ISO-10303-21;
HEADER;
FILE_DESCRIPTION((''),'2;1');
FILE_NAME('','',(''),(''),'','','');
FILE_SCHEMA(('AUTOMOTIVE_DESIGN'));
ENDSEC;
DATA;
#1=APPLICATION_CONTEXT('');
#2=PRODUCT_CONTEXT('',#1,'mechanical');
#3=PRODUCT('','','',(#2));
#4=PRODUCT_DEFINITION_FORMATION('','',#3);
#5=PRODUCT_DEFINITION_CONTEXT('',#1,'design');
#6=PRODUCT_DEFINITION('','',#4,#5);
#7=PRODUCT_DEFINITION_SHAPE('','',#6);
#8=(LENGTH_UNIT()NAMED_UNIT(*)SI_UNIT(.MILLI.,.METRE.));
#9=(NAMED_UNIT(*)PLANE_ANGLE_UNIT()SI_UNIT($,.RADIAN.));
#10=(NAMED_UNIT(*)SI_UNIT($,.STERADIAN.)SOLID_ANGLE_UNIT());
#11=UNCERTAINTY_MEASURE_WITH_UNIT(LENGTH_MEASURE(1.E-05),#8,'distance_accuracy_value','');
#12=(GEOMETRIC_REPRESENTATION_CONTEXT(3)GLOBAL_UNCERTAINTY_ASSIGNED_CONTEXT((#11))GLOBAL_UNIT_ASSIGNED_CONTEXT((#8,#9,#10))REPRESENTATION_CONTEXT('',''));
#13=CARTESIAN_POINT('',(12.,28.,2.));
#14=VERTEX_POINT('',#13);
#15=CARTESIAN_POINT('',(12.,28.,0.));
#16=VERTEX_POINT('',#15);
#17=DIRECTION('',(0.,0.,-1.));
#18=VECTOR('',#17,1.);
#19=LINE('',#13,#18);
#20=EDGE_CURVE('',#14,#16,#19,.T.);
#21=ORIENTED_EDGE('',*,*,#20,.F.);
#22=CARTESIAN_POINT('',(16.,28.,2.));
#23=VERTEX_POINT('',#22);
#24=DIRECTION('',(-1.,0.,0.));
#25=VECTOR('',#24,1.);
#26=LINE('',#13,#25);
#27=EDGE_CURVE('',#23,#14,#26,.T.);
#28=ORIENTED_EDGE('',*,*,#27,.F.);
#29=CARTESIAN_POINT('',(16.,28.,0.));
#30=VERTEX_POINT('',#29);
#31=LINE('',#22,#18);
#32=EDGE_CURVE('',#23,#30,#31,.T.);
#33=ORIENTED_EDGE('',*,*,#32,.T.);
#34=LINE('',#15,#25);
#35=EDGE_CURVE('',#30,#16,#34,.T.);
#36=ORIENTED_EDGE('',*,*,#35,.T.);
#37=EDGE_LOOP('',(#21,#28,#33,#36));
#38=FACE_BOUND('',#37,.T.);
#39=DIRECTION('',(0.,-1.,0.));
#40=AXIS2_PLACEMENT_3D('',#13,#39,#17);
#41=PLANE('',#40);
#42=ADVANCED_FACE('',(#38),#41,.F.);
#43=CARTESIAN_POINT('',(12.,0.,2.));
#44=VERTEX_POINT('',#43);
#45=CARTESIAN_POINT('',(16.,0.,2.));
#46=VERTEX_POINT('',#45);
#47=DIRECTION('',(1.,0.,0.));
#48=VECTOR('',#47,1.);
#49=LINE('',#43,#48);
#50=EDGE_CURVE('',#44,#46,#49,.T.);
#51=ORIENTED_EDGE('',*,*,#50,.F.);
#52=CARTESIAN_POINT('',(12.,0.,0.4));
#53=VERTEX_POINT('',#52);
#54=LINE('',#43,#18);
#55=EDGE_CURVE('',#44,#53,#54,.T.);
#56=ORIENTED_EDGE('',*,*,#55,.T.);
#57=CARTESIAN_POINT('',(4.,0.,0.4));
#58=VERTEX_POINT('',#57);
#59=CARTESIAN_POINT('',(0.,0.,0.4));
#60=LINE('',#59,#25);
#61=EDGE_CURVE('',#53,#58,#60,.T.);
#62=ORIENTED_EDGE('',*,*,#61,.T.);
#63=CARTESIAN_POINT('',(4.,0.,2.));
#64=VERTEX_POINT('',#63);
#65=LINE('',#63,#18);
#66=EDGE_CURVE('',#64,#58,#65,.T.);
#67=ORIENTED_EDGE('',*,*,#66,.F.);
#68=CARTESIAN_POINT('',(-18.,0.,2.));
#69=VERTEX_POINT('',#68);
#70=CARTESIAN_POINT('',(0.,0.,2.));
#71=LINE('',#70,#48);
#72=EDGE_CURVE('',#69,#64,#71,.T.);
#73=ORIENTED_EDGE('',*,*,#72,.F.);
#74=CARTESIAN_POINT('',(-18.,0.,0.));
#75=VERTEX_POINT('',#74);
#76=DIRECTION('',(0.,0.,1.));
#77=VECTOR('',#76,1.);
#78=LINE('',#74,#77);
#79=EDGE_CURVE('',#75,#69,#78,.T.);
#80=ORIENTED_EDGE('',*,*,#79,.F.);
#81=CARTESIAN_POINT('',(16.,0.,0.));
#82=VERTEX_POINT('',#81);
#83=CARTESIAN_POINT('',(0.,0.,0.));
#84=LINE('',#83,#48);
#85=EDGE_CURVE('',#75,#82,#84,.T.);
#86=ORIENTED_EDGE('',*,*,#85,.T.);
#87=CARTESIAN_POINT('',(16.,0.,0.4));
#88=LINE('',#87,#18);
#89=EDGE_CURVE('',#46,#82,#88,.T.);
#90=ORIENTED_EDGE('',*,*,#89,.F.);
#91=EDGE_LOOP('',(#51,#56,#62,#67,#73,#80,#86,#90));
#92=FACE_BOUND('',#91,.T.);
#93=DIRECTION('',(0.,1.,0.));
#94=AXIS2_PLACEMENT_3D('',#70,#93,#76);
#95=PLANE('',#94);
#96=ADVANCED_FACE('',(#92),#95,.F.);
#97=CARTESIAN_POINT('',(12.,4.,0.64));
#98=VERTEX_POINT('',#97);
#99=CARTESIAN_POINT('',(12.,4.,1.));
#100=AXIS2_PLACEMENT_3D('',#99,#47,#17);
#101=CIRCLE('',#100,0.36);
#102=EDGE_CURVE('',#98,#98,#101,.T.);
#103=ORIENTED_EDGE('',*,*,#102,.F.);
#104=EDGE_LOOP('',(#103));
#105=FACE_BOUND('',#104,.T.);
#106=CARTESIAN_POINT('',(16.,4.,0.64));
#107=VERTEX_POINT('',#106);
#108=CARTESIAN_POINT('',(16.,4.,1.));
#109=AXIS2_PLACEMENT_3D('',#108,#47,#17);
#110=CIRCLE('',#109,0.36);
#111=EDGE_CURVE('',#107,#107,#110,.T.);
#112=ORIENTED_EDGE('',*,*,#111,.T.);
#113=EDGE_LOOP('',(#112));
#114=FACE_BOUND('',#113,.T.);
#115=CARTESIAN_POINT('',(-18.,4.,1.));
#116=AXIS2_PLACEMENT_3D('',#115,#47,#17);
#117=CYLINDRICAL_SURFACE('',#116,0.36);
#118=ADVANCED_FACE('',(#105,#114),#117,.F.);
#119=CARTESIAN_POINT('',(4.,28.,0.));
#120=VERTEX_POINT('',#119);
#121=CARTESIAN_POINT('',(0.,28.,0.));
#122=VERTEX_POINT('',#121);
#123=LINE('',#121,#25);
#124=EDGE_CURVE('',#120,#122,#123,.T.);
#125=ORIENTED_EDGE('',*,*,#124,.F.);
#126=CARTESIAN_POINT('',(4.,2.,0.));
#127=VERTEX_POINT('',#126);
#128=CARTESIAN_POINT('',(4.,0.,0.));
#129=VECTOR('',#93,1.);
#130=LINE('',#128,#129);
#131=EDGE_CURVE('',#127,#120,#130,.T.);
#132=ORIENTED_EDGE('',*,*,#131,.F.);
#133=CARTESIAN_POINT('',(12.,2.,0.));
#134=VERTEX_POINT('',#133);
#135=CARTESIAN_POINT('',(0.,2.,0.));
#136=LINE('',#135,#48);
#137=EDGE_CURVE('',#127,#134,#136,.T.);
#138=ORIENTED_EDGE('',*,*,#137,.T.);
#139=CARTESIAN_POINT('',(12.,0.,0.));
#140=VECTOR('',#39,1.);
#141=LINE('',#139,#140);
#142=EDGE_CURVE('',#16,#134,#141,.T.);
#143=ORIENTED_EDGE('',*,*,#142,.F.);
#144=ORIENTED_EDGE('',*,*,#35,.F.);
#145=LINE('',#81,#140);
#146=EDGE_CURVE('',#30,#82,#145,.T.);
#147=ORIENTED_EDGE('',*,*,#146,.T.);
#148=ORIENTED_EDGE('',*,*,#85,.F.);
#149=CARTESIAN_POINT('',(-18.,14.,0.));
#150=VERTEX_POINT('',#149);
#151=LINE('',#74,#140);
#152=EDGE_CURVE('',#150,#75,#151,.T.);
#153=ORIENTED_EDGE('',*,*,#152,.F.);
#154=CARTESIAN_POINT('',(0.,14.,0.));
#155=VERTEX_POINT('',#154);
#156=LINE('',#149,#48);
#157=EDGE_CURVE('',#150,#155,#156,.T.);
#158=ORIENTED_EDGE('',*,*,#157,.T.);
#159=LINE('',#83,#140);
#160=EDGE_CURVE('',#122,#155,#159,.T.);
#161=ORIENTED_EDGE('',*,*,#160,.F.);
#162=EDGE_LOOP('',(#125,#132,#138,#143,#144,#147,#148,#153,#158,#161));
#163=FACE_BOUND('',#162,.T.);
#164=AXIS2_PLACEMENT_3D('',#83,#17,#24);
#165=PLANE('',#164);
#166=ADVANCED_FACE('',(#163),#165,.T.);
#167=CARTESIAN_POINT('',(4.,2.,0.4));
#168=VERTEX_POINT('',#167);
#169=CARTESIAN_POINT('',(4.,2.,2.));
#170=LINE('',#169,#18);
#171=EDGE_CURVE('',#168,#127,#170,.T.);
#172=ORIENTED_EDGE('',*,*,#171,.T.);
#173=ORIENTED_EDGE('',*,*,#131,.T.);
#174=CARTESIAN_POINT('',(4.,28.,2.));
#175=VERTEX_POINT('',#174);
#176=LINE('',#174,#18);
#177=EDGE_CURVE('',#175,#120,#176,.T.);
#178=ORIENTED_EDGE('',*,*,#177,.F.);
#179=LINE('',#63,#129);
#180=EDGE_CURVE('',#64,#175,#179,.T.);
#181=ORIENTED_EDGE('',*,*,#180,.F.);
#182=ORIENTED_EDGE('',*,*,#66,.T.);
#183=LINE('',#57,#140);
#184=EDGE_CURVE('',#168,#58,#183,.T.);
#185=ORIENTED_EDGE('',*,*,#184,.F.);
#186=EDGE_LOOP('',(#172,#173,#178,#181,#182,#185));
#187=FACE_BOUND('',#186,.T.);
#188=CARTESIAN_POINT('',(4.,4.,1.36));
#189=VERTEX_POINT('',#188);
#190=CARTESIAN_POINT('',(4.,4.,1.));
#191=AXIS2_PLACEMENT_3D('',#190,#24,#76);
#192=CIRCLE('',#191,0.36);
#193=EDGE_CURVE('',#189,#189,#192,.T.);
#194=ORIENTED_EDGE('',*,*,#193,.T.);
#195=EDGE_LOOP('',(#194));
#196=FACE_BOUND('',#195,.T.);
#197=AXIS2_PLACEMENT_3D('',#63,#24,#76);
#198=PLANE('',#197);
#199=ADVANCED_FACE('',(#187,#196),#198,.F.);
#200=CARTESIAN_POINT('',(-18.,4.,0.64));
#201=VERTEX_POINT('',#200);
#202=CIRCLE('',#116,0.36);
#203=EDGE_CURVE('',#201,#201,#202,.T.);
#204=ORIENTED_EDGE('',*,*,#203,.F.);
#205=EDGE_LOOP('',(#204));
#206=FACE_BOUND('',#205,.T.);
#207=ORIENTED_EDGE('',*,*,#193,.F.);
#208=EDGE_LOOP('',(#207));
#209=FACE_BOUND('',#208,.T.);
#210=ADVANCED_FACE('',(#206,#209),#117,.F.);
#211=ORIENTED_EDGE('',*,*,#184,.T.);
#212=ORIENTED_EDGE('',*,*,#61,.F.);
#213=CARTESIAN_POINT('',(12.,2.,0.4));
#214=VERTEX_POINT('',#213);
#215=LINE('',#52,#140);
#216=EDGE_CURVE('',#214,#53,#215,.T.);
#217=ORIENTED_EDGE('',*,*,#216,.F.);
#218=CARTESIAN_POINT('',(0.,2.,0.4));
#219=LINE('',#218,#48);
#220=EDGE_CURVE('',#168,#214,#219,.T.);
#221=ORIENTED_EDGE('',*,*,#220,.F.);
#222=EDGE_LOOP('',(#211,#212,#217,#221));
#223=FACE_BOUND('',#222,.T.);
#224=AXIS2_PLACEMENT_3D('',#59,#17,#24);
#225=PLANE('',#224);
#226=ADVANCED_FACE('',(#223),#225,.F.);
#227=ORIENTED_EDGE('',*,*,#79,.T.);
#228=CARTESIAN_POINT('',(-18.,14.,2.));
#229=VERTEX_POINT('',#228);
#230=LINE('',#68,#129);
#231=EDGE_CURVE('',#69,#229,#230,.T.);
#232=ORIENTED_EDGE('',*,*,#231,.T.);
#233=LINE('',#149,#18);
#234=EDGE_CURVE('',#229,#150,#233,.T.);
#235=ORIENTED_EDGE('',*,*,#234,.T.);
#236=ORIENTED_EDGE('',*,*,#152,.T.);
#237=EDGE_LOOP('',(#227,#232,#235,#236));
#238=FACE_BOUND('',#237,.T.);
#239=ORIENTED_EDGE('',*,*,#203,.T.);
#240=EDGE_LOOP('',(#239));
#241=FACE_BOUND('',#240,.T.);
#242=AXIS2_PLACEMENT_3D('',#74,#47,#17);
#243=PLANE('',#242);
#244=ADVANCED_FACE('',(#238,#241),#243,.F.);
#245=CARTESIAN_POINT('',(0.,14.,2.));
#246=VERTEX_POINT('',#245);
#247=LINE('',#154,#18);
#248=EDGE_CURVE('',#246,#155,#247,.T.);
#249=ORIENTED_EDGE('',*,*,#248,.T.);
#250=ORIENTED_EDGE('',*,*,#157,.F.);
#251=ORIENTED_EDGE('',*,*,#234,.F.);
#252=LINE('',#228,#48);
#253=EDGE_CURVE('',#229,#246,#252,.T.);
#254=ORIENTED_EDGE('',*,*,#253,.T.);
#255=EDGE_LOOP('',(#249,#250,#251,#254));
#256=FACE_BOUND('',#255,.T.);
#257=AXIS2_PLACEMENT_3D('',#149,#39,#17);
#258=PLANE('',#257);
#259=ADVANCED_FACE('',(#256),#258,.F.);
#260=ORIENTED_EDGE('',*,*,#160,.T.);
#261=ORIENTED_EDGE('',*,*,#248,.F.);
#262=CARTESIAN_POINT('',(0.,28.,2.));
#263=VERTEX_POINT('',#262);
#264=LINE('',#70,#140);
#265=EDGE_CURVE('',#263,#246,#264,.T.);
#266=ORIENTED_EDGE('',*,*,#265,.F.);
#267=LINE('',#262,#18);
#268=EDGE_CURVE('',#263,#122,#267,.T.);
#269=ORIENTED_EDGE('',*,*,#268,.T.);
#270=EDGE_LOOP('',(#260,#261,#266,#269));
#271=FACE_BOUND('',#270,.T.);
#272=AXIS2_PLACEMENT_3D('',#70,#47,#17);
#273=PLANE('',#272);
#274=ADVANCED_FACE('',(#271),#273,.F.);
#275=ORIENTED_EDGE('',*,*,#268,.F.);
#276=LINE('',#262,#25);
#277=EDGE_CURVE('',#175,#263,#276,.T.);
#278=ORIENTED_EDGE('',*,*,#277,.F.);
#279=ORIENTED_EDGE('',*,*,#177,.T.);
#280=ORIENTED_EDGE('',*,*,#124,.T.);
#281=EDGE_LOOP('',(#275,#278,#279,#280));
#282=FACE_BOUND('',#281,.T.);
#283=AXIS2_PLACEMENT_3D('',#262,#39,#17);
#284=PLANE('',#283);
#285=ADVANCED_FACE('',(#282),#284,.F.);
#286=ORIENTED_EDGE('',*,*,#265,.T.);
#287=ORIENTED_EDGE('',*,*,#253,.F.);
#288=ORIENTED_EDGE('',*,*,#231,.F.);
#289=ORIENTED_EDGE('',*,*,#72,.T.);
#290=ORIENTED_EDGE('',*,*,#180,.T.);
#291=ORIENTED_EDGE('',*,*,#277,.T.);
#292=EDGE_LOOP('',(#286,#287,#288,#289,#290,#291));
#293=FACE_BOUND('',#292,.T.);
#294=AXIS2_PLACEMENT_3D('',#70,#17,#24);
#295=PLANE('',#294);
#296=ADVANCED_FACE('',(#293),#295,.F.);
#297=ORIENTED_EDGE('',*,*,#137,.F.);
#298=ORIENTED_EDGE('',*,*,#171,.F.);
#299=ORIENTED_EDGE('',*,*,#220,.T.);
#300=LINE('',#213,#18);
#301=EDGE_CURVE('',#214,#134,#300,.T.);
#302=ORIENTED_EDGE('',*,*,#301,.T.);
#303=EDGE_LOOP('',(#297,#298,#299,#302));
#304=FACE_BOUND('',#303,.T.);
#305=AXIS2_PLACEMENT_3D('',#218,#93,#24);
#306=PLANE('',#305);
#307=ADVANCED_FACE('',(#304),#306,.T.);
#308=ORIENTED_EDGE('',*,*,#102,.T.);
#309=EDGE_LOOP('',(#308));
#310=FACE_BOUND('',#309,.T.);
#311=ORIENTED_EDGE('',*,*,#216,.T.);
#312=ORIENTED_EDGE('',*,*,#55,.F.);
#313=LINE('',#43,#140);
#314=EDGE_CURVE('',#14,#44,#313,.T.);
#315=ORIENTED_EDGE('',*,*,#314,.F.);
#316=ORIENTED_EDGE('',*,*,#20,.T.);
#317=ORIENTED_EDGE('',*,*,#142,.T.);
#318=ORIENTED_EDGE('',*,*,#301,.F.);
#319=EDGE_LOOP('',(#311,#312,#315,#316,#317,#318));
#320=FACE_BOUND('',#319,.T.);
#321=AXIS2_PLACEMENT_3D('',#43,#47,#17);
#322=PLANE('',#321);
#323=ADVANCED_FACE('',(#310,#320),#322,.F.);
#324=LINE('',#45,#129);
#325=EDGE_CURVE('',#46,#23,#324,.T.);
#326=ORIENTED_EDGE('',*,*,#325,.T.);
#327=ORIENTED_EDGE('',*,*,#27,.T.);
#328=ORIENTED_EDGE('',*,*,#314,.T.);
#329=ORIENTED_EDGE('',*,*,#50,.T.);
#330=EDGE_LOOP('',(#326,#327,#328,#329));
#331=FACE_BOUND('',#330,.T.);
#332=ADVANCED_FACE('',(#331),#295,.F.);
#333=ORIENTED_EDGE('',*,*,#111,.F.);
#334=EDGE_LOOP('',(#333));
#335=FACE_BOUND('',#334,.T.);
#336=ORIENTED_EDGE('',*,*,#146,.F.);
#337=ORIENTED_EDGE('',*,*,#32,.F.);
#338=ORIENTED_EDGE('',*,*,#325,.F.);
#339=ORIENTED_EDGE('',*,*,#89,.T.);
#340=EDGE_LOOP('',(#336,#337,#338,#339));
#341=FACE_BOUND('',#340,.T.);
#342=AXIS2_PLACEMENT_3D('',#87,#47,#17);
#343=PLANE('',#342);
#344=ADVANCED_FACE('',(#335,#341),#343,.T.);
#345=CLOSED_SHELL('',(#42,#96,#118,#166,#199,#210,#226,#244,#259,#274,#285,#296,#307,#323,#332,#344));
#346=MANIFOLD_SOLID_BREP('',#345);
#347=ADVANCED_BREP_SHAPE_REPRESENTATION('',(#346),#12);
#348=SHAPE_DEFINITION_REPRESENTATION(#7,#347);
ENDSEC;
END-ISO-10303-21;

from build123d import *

# Parameters (mm, degrees)
SKETCH2_W             = 4
SKETCH2_H             = 28
BOSS_EXTRUDE1_DEPTH   = 2
BOSS_EXTRUDE1_2_DEPTH = 2
SKETCH3_W             = 16
SKETCH3_H             = 2
BOSS_EXTRUDE2_DEPTH   = 0.4
SKETCH7_W             = 2
SKETCH7_H             = 14
BOSS_EXTRUDE3_DEPTH   = 18
SKETCH6_R             = 0.36
CUT_EXTRUDE1_DEPTH    = 35


with BuildPart() as part:
    # Sketch2 → Boss-Extrude1 (new body)
    with BuildSketch(Plane.XY):
        with Locations((2, 14)):
            Rectangle(SKETCH2_W, SKETCH2_H)
    extrude(amount=BOSS_EXTRUDE1_DEPTH)



with BuildPart() as body_2:
    # Sketch2 → Boss-Extrude1 2 (new body)
    with BuildSketch(Plane.XY):
        with Locations((14, 14)):
            Rectangle(SKETCH2_W, SKETCH2_H)
    extrude(amount=BOSS_EXTRUDE1_2_DEPTH)


with BuildPart() as part_1:
    add(part.part)

    add(body_2.part)  # Boss-Extrude2 merges body 2
    # Sketch3 → Boss-Extrude2 (add)
    with BuildSketch(Plane(origin=(0, 0, 0), x_dir=(-1, 0, 0), z_dir=(0, 0, -1))):
        with Locations((-8, 1)):
            Rectangle(SKETCH3_W, SKETCH3_H)
    extrude(amount=-BOSS_EXTRUDE2_DEPTH)

    # Sketch7 → Boss-Extrude3 (add)
    with BuildSketch(Plane.ZY):
        with Locations((1, 7)):
            Rectangle(SKETCH7_W, SKETCH7_H)
    extrude(amount=BOSS_EXTRUDE3_DEPTH)

    # Sketch6 → Cut-Extrude1 (cut, through all)
    with BuildSketch(Plane(origin=(16, 0, 0), x_dir=(0, 0, -1), z_dir=(1, 0, 0))):
        with Locations((-1, 4)):
            Circle(SKETCH6_R)
    extrude(amount=-CUT_EXTRUDE1_DEPTH, mode=Mode.SUBTRACT)


solid = part_1.part
